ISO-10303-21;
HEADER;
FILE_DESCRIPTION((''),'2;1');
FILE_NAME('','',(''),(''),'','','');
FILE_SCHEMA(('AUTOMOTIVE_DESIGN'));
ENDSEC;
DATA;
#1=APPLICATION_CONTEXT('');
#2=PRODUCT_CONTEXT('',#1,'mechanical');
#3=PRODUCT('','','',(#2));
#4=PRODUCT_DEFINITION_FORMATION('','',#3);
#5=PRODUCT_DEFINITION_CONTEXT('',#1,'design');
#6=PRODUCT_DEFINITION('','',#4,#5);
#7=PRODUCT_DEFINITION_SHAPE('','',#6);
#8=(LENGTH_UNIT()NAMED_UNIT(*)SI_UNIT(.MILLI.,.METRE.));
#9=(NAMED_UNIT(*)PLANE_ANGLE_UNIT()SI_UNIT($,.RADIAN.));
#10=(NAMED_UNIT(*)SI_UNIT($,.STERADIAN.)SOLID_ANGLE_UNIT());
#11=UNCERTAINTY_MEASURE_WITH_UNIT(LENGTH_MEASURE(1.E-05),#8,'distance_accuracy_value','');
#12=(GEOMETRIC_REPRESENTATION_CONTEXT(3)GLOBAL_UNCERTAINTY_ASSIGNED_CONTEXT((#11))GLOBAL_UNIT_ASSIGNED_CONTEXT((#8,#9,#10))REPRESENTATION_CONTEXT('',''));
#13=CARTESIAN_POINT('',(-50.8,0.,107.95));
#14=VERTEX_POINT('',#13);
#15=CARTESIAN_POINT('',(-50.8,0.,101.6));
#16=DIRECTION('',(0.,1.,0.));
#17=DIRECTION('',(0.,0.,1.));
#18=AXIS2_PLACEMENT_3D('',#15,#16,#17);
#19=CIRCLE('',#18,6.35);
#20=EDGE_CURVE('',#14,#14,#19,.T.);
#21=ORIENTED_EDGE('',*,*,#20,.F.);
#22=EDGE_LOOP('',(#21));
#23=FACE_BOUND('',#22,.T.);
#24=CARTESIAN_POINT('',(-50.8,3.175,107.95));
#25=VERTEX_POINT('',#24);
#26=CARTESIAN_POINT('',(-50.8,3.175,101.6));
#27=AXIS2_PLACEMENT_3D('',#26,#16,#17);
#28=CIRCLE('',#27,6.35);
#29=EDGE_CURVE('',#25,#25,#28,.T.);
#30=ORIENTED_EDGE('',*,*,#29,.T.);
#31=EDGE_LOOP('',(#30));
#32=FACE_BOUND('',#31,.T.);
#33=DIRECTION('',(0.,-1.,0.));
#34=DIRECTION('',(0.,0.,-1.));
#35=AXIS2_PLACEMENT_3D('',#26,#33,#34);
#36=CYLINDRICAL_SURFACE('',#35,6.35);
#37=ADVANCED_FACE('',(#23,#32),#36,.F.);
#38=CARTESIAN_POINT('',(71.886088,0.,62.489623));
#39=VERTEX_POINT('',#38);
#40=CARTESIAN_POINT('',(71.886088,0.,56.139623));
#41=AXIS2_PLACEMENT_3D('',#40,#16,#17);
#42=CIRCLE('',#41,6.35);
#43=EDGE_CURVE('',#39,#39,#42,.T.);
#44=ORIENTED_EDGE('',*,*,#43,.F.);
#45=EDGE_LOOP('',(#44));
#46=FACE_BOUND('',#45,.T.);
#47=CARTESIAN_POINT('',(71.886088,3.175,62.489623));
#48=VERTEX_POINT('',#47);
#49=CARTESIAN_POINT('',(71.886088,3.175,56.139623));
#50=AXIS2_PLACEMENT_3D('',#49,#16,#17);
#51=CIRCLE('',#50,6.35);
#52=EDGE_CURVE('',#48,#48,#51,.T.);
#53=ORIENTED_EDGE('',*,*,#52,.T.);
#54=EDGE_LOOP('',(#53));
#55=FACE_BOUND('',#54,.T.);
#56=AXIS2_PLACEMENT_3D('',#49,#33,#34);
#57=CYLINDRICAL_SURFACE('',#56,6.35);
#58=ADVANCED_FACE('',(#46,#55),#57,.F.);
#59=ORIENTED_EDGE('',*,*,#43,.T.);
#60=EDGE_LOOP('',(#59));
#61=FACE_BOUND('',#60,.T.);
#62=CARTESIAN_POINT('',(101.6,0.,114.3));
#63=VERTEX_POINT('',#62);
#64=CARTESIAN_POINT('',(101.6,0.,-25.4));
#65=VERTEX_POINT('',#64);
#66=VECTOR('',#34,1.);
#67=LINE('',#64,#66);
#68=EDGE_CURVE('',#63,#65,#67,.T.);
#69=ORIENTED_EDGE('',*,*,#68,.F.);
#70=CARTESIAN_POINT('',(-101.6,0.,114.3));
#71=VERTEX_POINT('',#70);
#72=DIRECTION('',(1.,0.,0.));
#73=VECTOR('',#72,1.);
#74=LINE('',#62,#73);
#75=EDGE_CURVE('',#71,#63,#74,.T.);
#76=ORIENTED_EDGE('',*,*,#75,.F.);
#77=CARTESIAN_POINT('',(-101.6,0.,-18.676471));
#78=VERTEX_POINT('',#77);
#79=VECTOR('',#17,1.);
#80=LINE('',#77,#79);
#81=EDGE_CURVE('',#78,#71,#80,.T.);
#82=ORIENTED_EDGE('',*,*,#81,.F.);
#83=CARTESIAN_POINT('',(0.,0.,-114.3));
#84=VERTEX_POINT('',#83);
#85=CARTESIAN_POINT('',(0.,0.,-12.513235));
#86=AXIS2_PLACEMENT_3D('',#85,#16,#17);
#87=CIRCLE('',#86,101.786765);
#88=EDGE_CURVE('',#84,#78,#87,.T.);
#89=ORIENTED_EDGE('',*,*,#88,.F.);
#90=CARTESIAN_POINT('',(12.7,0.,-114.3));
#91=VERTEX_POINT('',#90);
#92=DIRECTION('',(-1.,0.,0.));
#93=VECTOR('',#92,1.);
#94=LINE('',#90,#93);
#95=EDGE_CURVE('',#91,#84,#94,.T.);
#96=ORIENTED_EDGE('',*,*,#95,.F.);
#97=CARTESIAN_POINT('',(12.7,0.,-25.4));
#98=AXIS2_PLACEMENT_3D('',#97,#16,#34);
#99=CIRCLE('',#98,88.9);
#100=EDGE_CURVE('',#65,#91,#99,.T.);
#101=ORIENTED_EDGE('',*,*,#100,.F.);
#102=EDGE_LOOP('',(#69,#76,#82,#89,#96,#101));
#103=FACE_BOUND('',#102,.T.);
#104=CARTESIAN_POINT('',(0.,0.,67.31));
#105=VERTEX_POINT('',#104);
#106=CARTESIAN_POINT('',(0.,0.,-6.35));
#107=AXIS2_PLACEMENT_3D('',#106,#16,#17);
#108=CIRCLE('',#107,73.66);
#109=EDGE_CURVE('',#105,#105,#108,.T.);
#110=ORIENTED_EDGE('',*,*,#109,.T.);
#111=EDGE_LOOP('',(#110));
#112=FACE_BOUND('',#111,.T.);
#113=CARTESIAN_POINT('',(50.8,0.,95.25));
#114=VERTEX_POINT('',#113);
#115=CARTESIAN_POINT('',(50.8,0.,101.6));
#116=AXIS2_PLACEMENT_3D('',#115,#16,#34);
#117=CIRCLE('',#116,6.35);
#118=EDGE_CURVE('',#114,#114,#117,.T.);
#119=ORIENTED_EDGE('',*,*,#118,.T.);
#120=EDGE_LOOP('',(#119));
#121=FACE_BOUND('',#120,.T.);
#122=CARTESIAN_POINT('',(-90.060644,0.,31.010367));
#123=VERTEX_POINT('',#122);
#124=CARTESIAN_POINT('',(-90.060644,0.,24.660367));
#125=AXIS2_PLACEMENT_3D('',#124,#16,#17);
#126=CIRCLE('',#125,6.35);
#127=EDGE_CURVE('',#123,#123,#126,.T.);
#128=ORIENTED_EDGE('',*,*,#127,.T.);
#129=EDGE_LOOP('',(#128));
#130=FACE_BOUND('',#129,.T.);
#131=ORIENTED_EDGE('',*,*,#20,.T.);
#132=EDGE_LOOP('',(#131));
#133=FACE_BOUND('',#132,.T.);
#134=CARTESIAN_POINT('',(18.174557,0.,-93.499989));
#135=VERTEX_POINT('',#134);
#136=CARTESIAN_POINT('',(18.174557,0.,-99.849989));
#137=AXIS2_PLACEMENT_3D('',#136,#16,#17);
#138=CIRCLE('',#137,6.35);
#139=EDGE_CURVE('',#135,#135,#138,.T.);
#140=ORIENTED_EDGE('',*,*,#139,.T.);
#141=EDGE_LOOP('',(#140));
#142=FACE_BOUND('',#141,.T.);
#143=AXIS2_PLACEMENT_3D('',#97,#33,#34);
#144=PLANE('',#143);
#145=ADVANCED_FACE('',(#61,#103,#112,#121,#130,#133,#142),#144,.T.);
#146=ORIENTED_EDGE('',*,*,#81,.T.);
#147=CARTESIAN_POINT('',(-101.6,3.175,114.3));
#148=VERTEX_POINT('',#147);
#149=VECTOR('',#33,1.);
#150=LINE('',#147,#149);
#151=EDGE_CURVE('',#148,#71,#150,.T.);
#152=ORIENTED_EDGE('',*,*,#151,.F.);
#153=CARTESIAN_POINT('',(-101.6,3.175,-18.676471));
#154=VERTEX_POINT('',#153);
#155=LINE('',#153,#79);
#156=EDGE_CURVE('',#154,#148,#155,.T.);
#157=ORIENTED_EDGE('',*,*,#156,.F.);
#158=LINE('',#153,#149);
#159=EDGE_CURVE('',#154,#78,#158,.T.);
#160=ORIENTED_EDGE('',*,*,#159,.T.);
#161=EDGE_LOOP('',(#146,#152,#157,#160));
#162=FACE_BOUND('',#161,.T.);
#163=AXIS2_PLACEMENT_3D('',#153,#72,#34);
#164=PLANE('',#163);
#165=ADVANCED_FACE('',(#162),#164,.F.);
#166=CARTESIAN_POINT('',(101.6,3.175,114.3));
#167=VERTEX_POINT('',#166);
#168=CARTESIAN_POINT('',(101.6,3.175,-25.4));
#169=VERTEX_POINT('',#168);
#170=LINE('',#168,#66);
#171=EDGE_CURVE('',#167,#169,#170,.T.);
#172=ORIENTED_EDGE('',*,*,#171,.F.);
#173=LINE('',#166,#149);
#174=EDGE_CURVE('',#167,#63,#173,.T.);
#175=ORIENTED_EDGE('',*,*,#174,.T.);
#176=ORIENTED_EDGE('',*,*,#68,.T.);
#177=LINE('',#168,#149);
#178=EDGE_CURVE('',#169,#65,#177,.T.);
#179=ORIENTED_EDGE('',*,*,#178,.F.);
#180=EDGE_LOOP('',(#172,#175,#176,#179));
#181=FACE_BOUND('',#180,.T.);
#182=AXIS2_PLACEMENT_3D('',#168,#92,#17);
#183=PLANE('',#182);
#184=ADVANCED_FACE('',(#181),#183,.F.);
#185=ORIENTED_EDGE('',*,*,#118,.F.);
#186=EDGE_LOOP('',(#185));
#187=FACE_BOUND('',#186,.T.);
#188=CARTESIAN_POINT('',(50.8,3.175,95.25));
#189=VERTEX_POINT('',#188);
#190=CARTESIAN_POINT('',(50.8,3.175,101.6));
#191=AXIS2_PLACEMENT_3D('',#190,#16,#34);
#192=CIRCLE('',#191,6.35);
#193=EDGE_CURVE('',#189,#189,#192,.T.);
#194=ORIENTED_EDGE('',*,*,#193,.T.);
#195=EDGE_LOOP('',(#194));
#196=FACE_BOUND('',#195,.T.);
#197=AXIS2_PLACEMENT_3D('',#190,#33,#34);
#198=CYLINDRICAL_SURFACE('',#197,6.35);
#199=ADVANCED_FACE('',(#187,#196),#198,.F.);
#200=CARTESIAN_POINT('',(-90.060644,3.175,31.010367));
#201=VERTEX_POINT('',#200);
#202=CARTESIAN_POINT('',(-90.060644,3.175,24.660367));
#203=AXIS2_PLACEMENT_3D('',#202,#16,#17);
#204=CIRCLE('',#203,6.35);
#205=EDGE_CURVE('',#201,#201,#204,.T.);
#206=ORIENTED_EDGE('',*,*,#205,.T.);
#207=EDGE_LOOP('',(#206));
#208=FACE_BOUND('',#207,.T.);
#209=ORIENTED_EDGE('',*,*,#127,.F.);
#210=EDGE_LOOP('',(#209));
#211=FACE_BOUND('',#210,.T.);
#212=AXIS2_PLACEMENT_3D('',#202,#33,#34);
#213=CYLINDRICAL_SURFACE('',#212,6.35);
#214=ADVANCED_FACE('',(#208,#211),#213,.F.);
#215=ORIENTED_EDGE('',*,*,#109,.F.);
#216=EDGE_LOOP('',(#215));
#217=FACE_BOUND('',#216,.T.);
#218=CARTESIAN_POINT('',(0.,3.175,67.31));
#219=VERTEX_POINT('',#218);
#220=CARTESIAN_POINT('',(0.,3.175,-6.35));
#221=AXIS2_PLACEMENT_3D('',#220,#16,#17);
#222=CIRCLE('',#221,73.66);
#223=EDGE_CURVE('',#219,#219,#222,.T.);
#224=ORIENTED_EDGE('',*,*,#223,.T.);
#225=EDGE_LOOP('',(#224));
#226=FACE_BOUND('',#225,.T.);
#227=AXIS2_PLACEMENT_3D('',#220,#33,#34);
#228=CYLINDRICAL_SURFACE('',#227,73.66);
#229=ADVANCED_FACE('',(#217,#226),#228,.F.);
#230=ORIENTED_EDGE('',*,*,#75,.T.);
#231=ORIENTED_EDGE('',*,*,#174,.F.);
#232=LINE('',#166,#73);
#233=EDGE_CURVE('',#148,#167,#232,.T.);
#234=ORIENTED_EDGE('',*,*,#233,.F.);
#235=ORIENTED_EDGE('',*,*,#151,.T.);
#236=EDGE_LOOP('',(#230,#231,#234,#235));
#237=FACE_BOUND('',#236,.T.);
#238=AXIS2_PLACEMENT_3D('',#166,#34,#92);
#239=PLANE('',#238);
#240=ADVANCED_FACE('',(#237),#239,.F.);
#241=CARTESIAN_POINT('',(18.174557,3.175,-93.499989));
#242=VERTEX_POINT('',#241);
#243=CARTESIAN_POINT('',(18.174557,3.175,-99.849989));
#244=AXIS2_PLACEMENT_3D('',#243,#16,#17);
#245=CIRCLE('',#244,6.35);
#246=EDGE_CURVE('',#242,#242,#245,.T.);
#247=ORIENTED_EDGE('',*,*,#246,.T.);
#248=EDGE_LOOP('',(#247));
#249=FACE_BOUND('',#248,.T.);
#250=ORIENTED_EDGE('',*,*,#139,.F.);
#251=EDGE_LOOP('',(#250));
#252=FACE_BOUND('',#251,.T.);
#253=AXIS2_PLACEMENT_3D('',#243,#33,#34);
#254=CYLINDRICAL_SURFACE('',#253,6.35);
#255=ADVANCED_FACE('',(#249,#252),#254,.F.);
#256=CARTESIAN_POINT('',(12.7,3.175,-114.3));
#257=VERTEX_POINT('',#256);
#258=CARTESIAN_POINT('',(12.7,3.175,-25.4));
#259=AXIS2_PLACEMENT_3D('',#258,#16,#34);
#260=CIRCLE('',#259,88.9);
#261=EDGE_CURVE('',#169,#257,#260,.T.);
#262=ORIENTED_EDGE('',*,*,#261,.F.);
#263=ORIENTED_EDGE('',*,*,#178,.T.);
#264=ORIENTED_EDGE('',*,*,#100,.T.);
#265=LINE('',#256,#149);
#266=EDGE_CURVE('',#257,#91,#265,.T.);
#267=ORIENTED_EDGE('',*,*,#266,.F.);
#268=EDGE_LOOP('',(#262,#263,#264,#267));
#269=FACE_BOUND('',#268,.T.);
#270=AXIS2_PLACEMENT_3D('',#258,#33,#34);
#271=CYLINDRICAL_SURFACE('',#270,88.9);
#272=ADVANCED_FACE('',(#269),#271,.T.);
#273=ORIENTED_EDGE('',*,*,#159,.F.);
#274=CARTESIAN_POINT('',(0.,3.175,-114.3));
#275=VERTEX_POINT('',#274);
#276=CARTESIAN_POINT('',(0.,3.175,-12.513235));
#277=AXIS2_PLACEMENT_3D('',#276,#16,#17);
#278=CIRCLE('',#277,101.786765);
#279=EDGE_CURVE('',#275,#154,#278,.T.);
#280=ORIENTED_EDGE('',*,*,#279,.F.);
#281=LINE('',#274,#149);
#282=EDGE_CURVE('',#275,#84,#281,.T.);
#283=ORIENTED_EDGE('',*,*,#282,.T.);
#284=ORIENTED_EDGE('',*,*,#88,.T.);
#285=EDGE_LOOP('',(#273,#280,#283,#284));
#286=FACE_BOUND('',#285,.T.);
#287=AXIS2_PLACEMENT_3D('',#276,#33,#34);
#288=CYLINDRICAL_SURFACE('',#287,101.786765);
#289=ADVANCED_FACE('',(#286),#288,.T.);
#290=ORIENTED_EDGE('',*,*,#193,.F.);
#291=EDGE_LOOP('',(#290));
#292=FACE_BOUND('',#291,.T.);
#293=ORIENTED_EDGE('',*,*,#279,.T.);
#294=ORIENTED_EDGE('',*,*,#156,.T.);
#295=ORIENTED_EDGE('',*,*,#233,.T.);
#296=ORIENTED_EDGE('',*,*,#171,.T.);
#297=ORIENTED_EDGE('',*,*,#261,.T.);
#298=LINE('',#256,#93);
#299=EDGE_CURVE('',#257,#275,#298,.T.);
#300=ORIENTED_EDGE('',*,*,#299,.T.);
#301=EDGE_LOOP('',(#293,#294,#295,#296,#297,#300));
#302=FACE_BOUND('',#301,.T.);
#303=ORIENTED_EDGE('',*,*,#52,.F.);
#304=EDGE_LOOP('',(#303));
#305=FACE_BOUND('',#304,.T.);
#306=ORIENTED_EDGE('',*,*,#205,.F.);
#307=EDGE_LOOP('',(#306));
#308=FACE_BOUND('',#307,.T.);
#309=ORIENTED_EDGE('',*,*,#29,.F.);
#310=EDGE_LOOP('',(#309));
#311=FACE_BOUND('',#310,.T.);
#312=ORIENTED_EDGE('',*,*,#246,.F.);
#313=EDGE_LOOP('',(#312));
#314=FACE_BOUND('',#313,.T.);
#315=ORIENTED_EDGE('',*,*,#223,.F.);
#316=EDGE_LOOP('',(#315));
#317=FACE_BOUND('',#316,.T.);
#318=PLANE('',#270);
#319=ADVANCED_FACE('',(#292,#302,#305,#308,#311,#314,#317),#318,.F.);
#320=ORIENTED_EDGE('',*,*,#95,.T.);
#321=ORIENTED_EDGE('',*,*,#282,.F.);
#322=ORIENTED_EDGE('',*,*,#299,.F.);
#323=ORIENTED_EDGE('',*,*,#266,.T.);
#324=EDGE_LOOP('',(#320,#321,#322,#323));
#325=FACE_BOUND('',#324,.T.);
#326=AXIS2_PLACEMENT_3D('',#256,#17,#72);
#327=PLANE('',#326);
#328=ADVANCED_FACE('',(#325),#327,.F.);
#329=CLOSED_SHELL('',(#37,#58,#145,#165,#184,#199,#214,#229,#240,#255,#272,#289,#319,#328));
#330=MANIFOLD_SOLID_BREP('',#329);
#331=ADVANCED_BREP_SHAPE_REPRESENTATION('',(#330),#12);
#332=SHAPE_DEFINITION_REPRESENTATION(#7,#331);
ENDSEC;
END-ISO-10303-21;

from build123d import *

# Parameters (mm, degrees)
SKETCH1_R           = 73.66
SKETCH1_R_2         = 6.35
BOSS_EXTRUDE1_DEPTH = 3.175


with BuildPart() as part:
    # Sketch1 → Boss-Extrude1 (new body)
    with BuildSketch(Plane(origin=(0, 0, 0), x_dir=(1, 0, 0), z_dir=(0, 1, 0))):
        with BuildLine():
            Line((12.7, 114.3), (0, 114.3))
            ThreePointArc((0, 114.3), (-69.761055355, 86.634356609), (-101.6, 18.676470588))
            Line((-101.6, 18.676470588), (-101.6, -114.3))
            Line((-101.6, -114.3), (101.6, -114.3))
            Line((101.6, -114.3), (101.6, 25.4))
            ThreePointArc((101.6, 25.4), (75.561792847, 88.261792847), (12.7, 114.3))
        make_face()
        with Locations(Location((0, 6.35, 0), (0, 0, 270))):
            Circle(SKETCH1_R, mode=Mode.SUBTRACT)
        with Locations(Location((-90.060644326, -24.660366712, 0), (0, 0, 270))):
            Circle(SKETCH1_R_2, mode=Mode.SUBTRACT)
        with Locations(Location((-50.8, -101.6, 0), (0, 0, 270))):
            Circle(SKETCH1_R_2, mode=Mode.SUBTRACT)
        with Locations(Location((50.8, -101.6, 0), (0, 0, 90))):
            Circle(SKETCH1_R_2, mode=Mode.SUBTRACT)
        with Locations(Location((18.17455681, 99.849989223, 0), (0, 0, 270))):
            Circle(SKETCH1_R_2, mode=Mode.SUBTRACT)
        with Locations(Location((71.886087516, -56.139622511, 0), (0, 0, 270))):
            Circle(SKETCH1_R_2, mode=Mode.SUBTRACT)
    extrude(amount=BOSS_EXTRUDE1_DEPTH)


solid = part.part
